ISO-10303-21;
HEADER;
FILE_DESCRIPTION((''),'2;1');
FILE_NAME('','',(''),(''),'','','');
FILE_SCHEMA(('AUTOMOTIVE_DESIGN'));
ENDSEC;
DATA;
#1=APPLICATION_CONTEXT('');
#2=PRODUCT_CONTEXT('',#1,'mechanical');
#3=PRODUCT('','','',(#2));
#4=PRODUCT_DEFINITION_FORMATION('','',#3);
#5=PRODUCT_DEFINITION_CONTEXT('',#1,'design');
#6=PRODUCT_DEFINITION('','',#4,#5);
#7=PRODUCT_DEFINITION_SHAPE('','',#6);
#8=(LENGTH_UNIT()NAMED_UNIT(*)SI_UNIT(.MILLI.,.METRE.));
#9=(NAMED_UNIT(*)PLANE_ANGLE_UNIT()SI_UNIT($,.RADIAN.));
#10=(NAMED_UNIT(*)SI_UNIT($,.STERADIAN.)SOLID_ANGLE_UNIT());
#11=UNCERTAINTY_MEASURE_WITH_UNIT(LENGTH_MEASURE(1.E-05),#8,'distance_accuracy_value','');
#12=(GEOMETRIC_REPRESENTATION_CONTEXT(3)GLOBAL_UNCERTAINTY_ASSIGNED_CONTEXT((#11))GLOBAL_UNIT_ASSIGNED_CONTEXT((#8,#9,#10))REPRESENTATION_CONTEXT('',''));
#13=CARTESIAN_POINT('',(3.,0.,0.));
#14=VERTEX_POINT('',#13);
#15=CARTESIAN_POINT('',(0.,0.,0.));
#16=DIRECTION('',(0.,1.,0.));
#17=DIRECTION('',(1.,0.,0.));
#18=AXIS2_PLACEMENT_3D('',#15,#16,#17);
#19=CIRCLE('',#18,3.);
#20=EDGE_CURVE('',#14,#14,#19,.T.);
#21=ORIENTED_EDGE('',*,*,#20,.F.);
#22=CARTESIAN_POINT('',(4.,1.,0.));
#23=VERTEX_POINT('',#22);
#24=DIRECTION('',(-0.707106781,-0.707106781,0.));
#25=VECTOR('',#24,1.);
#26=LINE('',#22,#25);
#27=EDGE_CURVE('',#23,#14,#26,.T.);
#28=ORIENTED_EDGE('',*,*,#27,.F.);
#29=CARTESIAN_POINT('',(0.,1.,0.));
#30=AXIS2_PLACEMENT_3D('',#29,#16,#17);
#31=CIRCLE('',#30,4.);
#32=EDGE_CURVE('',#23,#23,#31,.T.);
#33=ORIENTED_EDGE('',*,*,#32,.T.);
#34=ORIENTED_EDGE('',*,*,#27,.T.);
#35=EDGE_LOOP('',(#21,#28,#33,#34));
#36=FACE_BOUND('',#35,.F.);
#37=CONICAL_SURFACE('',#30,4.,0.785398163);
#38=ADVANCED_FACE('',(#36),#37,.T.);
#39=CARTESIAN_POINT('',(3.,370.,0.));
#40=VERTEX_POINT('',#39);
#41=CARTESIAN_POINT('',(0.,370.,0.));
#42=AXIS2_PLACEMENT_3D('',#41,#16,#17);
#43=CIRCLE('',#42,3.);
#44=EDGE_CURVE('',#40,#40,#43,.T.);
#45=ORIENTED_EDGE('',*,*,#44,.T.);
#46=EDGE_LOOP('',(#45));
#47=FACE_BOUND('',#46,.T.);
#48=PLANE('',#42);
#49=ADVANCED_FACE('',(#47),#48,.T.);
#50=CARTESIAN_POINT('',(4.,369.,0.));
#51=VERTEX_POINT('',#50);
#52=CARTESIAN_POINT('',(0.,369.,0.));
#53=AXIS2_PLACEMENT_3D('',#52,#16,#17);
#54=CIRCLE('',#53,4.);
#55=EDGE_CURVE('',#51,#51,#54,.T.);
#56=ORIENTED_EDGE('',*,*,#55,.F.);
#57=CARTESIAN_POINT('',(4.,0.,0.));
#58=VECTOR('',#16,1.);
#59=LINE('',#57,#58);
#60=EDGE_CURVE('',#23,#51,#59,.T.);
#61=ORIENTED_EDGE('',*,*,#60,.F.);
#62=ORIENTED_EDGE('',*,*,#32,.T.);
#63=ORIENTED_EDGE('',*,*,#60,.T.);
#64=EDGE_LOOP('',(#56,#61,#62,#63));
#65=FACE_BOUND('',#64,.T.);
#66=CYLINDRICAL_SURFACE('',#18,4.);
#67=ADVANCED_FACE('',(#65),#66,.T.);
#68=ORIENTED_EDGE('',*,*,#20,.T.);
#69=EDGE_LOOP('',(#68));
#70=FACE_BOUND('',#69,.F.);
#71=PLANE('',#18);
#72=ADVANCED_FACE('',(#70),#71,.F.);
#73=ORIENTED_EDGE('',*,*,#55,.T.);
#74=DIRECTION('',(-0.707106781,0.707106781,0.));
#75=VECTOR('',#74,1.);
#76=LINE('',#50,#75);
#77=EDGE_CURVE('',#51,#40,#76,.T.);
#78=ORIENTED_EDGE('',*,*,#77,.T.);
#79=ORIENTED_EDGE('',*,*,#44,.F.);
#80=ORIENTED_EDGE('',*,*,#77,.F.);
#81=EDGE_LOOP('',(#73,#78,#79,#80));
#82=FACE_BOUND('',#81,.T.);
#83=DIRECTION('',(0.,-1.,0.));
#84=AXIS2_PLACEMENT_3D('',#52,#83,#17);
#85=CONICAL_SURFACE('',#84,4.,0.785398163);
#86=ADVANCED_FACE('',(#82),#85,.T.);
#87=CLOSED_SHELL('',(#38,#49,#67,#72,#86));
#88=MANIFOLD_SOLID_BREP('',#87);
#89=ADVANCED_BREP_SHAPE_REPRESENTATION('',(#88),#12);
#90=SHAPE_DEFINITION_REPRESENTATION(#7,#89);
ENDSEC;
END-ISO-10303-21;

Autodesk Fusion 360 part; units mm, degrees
cylinder "円柱プリミティブ1" add diameter 8 height 370 placed x (1, 0, 0) y (0, 0, -1) z (0, 1, 0) at (0, 0, 0)
chamfer "面取り1" distance 1 angle 45 2 edges at (-3.7293, 370, 1.4465) (-3.7293, 0, -1.4465)
